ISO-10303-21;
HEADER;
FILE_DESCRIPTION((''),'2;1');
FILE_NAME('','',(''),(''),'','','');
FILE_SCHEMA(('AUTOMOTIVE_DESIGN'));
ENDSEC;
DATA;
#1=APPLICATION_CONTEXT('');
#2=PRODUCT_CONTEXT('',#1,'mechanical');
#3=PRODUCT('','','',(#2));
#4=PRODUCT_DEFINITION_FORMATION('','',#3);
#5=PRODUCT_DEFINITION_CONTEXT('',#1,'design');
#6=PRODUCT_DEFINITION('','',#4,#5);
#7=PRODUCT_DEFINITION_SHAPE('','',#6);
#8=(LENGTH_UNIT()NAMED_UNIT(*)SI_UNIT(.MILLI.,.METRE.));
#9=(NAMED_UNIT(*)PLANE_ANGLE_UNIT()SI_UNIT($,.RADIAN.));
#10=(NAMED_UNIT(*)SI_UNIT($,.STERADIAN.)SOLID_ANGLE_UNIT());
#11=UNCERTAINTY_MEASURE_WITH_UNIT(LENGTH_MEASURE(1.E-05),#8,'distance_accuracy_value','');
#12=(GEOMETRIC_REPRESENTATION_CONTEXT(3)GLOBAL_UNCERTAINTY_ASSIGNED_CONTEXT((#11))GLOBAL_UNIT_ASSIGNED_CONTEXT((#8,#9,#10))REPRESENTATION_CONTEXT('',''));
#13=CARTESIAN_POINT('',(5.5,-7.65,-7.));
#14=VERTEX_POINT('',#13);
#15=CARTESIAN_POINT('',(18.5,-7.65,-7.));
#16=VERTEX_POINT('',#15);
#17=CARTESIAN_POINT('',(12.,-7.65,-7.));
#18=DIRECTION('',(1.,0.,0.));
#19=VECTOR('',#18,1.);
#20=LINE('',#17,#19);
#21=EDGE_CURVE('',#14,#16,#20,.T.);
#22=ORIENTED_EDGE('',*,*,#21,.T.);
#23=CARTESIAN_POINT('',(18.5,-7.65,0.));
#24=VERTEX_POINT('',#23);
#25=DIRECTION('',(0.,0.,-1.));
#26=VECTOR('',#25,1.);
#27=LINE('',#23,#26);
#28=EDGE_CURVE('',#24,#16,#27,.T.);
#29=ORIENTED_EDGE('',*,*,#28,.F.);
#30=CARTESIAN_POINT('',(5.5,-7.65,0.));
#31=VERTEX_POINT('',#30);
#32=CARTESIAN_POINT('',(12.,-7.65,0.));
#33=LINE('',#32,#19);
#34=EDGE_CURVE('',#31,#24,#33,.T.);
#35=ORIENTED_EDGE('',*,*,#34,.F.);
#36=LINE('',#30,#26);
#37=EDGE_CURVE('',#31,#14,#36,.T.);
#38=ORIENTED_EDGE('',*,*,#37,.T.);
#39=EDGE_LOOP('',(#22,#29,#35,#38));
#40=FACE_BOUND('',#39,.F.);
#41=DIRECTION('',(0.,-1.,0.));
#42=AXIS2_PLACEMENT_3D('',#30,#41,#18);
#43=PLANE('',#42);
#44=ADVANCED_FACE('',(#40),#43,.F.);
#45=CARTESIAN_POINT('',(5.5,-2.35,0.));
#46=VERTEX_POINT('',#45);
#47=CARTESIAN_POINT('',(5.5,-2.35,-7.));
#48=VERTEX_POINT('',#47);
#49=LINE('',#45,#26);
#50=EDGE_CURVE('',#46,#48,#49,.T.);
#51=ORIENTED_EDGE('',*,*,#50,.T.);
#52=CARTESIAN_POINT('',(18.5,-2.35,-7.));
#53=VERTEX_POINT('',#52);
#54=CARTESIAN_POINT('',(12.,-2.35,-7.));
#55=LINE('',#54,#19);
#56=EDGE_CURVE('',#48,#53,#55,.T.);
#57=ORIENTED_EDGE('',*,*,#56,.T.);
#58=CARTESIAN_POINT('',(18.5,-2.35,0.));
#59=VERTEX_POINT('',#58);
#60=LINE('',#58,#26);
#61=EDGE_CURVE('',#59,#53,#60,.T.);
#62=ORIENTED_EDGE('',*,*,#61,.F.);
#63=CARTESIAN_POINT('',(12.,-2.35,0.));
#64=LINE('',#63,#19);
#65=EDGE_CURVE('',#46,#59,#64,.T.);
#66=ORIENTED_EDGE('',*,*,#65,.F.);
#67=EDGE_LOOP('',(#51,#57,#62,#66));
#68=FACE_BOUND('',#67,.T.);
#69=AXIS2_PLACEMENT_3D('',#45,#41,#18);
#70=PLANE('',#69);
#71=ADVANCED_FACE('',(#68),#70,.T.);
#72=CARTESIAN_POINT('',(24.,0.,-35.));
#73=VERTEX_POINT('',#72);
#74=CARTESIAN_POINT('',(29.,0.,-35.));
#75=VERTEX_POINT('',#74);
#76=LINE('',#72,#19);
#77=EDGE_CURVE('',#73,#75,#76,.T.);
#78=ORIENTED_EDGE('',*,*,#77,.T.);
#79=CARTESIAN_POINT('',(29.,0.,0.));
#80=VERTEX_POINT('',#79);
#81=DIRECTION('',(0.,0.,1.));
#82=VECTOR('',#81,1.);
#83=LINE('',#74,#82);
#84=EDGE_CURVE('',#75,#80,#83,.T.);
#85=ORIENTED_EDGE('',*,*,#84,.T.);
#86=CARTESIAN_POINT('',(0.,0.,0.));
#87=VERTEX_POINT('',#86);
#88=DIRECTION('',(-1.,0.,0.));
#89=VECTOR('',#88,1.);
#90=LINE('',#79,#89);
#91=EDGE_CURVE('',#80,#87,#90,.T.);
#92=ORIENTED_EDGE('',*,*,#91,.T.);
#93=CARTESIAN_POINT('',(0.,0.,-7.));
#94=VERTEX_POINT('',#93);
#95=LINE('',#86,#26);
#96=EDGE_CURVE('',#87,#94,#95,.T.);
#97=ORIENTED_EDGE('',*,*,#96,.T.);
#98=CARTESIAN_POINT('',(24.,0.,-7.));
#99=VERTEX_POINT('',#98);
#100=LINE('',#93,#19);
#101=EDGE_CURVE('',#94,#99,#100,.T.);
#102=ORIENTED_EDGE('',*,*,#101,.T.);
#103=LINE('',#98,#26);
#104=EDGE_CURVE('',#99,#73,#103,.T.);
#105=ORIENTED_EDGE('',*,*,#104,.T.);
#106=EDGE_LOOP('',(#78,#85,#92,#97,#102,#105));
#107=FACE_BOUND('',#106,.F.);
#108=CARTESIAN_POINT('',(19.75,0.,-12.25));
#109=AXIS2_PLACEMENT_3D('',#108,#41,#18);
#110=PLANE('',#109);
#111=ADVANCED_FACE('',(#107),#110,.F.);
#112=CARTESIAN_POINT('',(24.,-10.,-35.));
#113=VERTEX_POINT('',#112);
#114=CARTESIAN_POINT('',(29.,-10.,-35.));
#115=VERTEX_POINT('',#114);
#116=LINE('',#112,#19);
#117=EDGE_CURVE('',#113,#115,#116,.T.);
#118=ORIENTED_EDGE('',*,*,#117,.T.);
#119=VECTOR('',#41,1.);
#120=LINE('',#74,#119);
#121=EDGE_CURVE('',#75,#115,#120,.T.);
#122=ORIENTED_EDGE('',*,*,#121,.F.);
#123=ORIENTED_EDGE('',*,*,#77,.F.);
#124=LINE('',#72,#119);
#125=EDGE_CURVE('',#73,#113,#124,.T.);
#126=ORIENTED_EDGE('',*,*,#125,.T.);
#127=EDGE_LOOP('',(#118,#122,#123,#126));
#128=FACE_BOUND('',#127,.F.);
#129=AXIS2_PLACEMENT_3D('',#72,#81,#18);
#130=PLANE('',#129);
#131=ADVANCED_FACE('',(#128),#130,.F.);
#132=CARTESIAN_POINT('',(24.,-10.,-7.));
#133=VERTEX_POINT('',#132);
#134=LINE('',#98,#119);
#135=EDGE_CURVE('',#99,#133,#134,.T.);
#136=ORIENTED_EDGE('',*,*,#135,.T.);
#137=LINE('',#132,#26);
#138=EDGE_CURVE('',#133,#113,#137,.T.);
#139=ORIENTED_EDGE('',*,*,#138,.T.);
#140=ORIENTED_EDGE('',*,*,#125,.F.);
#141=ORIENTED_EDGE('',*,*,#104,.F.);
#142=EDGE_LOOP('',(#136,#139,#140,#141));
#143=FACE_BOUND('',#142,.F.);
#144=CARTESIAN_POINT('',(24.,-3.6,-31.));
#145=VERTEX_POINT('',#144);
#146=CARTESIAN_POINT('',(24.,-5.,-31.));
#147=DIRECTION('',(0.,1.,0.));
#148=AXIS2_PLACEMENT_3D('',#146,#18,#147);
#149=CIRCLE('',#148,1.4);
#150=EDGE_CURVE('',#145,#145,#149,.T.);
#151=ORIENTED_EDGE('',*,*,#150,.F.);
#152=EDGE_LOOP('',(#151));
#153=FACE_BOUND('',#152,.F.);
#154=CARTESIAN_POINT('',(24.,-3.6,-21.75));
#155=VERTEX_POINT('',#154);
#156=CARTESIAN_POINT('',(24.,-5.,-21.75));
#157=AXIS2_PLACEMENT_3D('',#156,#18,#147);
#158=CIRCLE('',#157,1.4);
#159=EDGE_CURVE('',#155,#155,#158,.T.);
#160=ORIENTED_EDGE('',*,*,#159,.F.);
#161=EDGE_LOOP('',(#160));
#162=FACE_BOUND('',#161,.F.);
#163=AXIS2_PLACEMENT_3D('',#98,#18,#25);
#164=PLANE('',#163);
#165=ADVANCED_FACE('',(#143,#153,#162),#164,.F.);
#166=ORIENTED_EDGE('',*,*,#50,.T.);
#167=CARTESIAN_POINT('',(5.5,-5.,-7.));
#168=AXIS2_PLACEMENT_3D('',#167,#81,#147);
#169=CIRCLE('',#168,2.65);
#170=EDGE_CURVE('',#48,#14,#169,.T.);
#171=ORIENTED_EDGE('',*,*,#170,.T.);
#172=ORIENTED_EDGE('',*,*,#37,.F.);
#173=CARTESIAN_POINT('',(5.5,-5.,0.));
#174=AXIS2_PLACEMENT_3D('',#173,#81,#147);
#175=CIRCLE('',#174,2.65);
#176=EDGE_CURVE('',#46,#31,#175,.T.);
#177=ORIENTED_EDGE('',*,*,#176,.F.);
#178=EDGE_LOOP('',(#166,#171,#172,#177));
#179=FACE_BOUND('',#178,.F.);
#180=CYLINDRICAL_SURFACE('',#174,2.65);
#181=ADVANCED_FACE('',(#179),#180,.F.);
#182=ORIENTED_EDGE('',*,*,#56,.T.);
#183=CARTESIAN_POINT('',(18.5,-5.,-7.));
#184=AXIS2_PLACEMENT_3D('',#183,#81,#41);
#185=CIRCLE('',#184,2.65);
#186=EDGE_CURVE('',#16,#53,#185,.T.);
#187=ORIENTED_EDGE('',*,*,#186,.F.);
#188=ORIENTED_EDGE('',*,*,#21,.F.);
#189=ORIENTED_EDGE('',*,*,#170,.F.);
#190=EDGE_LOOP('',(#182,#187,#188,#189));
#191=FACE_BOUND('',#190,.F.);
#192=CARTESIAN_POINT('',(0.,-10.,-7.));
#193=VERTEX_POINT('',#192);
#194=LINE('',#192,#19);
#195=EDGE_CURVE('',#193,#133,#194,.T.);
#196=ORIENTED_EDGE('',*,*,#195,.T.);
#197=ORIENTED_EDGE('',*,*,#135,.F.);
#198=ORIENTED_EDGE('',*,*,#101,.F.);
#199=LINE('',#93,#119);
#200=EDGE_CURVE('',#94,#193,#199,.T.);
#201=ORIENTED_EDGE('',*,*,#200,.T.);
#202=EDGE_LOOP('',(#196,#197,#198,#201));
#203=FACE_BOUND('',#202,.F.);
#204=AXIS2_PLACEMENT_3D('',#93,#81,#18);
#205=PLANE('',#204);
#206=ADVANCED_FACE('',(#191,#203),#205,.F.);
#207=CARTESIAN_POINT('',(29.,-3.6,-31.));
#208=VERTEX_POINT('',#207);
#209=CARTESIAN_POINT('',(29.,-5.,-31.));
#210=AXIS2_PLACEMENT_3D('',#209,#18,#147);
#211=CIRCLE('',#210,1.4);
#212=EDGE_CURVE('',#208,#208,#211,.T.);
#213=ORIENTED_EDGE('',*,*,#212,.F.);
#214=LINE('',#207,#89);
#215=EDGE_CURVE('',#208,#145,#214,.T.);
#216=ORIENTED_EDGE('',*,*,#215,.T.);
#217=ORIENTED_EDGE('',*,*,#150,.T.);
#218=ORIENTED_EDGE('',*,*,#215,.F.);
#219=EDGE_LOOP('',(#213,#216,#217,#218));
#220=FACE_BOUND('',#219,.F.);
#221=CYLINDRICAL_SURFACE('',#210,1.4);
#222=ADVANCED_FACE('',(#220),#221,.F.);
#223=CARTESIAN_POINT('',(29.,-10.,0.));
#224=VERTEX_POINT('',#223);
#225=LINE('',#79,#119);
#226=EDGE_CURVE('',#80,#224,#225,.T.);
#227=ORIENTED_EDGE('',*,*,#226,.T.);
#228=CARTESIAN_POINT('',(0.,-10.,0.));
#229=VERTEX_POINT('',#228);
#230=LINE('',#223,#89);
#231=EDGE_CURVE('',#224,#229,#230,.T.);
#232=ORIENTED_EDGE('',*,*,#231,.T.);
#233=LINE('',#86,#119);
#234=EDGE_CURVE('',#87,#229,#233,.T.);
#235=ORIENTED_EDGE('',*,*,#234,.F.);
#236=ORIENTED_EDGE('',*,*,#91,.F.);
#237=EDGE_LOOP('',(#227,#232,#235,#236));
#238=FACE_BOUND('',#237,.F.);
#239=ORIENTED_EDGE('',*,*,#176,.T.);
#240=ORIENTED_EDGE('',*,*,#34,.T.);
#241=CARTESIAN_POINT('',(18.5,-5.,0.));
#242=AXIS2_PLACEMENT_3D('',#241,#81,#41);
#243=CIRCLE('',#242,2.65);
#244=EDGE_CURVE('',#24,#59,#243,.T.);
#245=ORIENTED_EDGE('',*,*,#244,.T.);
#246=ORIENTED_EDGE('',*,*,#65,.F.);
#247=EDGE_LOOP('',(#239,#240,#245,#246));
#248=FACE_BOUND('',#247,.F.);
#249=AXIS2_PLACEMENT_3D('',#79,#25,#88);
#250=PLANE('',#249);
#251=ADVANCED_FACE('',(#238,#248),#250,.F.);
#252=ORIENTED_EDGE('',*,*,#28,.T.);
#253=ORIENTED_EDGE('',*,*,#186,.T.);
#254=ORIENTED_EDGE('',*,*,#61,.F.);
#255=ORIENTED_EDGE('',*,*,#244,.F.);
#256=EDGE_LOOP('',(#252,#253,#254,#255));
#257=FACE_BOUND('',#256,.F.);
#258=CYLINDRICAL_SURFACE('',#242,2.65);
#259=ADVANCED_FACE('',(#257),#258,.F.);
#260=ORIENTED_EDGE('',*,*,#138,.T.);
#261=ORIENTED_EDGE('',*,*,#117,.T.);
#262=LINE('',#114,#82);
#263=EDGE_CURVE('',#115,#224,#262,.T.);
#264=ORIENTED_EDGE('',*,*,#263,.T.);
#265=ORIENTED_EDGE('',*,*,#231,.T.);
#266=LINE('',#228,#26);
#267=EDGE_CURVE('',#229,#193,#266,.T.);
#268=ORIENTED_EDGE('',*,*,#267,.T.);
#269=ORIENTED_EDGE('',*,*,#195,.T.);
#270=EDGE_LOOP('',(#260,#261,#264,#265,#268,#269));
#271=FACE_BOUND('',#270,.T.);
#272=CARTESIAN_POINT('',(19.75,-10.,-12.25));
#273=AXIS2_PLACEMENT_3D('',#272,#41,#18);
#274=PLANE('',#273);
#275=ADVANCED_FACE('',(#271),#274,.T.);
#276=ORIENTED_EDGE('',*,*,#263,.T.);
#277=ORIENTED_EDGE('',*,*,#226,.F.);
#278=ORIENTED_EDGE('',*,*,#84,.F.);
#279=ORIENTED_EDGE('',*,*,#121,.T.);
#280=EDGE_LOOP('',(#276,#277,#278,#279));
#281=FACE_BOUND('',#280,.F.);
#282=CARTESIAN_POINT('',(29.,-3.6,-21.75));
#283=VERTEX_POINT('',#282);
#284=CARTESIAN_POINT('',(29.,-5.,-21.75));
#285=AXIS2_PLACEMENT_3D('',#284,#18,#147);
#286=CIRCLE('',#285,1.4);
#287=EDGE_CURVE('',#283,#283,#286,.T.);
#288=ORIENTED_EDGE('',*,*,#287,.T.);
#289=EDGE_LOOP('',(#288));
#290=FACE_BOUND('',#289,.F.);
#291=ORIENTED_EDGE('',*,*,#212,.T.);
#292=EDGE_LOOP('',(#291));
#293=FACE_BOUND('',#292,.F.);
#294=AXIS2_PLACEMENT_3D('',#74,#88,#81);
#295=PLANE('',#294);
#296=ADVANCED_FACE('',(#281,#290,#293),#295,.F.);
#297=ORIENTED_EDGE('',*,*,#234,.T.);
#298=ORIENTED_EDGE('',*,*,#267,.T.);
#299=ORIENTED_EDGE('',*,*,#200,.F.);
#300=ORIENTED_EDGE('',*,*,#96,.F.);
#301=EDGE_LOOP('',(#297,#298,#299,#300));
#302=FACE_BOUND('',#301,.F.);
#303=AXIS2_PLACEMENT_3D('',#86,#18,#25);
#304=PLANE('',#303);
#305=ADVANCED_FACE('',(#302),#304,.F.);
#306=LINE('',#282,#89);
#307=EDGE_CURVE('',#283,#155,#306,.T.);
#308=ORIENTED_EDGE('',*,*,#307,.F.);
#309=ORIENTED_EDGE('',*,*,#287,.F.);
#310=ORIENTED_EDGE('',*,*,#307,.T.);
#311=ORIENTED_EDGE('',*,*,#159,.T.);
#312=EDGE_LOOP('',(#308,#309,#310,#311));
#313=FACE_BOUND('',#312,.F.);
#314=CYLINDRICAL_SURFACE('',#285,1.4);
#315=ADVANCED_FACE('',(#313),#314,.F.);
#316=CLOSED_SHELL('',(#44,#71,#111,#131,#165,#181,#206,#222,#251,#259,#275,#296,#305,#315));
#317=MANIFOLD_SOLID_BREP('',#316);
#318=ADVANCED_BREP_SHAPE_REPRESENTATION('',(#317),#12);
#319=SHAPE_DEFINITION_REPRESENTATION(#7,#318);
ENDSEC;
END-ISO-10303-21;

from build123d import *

# Parameters (mm, degrees)
F1_DEPTH = 10
F2_W     = 13
F2_H     = 5.3
F3_DEPTH = 7
F4_R     = 1.4
F5_DEPTH = 5


with BuildPart() as f1:
    # F0 (on Front) → F1 (new body)
    with BuildSketch(Plane.XZ):
        Polygon((29, 0), (0, 0), (0, -7), (24, -7), (24, -35), (29, -35), align=None)
    extrude(amount=F1_DEPTH)

    # F2 (on face) → F3 (cut, through all)
    with BuildSketch(Plane.XY):
        with Locations((12, -5)):
            Rectangle(F2_W, F2_H)
        with BuildLine():
            ThreePointArc((5.5, -2.35), (2.85, -5), (5.5, -7.65))
            Line((5.5, -7.65), (5.5, -2.35))
        make_face()
        with BuildLine():
            Line((18.5, -2.35), (18.5, -7.65))
            ThreePointArc((18.5, -7.65), (21.15, -5), (18.5, -2.35))
        make_face()
    extrude(amount=-F3_DEPTH, mode=Mode.SUBTRACT)

    # F4 (on face) → F5 (cut, through all)
    with BuildSketch(Plane.YZ.offset(29)):
        with Locations((-5, -21.75)):
            Circle(F4_R)
        with Locations((-5, -31)):
            Circle(F4_R)
    extrude(amount=-F5_DEPTH, mode=Mode.SUBTRACT)


solid = f1.part
